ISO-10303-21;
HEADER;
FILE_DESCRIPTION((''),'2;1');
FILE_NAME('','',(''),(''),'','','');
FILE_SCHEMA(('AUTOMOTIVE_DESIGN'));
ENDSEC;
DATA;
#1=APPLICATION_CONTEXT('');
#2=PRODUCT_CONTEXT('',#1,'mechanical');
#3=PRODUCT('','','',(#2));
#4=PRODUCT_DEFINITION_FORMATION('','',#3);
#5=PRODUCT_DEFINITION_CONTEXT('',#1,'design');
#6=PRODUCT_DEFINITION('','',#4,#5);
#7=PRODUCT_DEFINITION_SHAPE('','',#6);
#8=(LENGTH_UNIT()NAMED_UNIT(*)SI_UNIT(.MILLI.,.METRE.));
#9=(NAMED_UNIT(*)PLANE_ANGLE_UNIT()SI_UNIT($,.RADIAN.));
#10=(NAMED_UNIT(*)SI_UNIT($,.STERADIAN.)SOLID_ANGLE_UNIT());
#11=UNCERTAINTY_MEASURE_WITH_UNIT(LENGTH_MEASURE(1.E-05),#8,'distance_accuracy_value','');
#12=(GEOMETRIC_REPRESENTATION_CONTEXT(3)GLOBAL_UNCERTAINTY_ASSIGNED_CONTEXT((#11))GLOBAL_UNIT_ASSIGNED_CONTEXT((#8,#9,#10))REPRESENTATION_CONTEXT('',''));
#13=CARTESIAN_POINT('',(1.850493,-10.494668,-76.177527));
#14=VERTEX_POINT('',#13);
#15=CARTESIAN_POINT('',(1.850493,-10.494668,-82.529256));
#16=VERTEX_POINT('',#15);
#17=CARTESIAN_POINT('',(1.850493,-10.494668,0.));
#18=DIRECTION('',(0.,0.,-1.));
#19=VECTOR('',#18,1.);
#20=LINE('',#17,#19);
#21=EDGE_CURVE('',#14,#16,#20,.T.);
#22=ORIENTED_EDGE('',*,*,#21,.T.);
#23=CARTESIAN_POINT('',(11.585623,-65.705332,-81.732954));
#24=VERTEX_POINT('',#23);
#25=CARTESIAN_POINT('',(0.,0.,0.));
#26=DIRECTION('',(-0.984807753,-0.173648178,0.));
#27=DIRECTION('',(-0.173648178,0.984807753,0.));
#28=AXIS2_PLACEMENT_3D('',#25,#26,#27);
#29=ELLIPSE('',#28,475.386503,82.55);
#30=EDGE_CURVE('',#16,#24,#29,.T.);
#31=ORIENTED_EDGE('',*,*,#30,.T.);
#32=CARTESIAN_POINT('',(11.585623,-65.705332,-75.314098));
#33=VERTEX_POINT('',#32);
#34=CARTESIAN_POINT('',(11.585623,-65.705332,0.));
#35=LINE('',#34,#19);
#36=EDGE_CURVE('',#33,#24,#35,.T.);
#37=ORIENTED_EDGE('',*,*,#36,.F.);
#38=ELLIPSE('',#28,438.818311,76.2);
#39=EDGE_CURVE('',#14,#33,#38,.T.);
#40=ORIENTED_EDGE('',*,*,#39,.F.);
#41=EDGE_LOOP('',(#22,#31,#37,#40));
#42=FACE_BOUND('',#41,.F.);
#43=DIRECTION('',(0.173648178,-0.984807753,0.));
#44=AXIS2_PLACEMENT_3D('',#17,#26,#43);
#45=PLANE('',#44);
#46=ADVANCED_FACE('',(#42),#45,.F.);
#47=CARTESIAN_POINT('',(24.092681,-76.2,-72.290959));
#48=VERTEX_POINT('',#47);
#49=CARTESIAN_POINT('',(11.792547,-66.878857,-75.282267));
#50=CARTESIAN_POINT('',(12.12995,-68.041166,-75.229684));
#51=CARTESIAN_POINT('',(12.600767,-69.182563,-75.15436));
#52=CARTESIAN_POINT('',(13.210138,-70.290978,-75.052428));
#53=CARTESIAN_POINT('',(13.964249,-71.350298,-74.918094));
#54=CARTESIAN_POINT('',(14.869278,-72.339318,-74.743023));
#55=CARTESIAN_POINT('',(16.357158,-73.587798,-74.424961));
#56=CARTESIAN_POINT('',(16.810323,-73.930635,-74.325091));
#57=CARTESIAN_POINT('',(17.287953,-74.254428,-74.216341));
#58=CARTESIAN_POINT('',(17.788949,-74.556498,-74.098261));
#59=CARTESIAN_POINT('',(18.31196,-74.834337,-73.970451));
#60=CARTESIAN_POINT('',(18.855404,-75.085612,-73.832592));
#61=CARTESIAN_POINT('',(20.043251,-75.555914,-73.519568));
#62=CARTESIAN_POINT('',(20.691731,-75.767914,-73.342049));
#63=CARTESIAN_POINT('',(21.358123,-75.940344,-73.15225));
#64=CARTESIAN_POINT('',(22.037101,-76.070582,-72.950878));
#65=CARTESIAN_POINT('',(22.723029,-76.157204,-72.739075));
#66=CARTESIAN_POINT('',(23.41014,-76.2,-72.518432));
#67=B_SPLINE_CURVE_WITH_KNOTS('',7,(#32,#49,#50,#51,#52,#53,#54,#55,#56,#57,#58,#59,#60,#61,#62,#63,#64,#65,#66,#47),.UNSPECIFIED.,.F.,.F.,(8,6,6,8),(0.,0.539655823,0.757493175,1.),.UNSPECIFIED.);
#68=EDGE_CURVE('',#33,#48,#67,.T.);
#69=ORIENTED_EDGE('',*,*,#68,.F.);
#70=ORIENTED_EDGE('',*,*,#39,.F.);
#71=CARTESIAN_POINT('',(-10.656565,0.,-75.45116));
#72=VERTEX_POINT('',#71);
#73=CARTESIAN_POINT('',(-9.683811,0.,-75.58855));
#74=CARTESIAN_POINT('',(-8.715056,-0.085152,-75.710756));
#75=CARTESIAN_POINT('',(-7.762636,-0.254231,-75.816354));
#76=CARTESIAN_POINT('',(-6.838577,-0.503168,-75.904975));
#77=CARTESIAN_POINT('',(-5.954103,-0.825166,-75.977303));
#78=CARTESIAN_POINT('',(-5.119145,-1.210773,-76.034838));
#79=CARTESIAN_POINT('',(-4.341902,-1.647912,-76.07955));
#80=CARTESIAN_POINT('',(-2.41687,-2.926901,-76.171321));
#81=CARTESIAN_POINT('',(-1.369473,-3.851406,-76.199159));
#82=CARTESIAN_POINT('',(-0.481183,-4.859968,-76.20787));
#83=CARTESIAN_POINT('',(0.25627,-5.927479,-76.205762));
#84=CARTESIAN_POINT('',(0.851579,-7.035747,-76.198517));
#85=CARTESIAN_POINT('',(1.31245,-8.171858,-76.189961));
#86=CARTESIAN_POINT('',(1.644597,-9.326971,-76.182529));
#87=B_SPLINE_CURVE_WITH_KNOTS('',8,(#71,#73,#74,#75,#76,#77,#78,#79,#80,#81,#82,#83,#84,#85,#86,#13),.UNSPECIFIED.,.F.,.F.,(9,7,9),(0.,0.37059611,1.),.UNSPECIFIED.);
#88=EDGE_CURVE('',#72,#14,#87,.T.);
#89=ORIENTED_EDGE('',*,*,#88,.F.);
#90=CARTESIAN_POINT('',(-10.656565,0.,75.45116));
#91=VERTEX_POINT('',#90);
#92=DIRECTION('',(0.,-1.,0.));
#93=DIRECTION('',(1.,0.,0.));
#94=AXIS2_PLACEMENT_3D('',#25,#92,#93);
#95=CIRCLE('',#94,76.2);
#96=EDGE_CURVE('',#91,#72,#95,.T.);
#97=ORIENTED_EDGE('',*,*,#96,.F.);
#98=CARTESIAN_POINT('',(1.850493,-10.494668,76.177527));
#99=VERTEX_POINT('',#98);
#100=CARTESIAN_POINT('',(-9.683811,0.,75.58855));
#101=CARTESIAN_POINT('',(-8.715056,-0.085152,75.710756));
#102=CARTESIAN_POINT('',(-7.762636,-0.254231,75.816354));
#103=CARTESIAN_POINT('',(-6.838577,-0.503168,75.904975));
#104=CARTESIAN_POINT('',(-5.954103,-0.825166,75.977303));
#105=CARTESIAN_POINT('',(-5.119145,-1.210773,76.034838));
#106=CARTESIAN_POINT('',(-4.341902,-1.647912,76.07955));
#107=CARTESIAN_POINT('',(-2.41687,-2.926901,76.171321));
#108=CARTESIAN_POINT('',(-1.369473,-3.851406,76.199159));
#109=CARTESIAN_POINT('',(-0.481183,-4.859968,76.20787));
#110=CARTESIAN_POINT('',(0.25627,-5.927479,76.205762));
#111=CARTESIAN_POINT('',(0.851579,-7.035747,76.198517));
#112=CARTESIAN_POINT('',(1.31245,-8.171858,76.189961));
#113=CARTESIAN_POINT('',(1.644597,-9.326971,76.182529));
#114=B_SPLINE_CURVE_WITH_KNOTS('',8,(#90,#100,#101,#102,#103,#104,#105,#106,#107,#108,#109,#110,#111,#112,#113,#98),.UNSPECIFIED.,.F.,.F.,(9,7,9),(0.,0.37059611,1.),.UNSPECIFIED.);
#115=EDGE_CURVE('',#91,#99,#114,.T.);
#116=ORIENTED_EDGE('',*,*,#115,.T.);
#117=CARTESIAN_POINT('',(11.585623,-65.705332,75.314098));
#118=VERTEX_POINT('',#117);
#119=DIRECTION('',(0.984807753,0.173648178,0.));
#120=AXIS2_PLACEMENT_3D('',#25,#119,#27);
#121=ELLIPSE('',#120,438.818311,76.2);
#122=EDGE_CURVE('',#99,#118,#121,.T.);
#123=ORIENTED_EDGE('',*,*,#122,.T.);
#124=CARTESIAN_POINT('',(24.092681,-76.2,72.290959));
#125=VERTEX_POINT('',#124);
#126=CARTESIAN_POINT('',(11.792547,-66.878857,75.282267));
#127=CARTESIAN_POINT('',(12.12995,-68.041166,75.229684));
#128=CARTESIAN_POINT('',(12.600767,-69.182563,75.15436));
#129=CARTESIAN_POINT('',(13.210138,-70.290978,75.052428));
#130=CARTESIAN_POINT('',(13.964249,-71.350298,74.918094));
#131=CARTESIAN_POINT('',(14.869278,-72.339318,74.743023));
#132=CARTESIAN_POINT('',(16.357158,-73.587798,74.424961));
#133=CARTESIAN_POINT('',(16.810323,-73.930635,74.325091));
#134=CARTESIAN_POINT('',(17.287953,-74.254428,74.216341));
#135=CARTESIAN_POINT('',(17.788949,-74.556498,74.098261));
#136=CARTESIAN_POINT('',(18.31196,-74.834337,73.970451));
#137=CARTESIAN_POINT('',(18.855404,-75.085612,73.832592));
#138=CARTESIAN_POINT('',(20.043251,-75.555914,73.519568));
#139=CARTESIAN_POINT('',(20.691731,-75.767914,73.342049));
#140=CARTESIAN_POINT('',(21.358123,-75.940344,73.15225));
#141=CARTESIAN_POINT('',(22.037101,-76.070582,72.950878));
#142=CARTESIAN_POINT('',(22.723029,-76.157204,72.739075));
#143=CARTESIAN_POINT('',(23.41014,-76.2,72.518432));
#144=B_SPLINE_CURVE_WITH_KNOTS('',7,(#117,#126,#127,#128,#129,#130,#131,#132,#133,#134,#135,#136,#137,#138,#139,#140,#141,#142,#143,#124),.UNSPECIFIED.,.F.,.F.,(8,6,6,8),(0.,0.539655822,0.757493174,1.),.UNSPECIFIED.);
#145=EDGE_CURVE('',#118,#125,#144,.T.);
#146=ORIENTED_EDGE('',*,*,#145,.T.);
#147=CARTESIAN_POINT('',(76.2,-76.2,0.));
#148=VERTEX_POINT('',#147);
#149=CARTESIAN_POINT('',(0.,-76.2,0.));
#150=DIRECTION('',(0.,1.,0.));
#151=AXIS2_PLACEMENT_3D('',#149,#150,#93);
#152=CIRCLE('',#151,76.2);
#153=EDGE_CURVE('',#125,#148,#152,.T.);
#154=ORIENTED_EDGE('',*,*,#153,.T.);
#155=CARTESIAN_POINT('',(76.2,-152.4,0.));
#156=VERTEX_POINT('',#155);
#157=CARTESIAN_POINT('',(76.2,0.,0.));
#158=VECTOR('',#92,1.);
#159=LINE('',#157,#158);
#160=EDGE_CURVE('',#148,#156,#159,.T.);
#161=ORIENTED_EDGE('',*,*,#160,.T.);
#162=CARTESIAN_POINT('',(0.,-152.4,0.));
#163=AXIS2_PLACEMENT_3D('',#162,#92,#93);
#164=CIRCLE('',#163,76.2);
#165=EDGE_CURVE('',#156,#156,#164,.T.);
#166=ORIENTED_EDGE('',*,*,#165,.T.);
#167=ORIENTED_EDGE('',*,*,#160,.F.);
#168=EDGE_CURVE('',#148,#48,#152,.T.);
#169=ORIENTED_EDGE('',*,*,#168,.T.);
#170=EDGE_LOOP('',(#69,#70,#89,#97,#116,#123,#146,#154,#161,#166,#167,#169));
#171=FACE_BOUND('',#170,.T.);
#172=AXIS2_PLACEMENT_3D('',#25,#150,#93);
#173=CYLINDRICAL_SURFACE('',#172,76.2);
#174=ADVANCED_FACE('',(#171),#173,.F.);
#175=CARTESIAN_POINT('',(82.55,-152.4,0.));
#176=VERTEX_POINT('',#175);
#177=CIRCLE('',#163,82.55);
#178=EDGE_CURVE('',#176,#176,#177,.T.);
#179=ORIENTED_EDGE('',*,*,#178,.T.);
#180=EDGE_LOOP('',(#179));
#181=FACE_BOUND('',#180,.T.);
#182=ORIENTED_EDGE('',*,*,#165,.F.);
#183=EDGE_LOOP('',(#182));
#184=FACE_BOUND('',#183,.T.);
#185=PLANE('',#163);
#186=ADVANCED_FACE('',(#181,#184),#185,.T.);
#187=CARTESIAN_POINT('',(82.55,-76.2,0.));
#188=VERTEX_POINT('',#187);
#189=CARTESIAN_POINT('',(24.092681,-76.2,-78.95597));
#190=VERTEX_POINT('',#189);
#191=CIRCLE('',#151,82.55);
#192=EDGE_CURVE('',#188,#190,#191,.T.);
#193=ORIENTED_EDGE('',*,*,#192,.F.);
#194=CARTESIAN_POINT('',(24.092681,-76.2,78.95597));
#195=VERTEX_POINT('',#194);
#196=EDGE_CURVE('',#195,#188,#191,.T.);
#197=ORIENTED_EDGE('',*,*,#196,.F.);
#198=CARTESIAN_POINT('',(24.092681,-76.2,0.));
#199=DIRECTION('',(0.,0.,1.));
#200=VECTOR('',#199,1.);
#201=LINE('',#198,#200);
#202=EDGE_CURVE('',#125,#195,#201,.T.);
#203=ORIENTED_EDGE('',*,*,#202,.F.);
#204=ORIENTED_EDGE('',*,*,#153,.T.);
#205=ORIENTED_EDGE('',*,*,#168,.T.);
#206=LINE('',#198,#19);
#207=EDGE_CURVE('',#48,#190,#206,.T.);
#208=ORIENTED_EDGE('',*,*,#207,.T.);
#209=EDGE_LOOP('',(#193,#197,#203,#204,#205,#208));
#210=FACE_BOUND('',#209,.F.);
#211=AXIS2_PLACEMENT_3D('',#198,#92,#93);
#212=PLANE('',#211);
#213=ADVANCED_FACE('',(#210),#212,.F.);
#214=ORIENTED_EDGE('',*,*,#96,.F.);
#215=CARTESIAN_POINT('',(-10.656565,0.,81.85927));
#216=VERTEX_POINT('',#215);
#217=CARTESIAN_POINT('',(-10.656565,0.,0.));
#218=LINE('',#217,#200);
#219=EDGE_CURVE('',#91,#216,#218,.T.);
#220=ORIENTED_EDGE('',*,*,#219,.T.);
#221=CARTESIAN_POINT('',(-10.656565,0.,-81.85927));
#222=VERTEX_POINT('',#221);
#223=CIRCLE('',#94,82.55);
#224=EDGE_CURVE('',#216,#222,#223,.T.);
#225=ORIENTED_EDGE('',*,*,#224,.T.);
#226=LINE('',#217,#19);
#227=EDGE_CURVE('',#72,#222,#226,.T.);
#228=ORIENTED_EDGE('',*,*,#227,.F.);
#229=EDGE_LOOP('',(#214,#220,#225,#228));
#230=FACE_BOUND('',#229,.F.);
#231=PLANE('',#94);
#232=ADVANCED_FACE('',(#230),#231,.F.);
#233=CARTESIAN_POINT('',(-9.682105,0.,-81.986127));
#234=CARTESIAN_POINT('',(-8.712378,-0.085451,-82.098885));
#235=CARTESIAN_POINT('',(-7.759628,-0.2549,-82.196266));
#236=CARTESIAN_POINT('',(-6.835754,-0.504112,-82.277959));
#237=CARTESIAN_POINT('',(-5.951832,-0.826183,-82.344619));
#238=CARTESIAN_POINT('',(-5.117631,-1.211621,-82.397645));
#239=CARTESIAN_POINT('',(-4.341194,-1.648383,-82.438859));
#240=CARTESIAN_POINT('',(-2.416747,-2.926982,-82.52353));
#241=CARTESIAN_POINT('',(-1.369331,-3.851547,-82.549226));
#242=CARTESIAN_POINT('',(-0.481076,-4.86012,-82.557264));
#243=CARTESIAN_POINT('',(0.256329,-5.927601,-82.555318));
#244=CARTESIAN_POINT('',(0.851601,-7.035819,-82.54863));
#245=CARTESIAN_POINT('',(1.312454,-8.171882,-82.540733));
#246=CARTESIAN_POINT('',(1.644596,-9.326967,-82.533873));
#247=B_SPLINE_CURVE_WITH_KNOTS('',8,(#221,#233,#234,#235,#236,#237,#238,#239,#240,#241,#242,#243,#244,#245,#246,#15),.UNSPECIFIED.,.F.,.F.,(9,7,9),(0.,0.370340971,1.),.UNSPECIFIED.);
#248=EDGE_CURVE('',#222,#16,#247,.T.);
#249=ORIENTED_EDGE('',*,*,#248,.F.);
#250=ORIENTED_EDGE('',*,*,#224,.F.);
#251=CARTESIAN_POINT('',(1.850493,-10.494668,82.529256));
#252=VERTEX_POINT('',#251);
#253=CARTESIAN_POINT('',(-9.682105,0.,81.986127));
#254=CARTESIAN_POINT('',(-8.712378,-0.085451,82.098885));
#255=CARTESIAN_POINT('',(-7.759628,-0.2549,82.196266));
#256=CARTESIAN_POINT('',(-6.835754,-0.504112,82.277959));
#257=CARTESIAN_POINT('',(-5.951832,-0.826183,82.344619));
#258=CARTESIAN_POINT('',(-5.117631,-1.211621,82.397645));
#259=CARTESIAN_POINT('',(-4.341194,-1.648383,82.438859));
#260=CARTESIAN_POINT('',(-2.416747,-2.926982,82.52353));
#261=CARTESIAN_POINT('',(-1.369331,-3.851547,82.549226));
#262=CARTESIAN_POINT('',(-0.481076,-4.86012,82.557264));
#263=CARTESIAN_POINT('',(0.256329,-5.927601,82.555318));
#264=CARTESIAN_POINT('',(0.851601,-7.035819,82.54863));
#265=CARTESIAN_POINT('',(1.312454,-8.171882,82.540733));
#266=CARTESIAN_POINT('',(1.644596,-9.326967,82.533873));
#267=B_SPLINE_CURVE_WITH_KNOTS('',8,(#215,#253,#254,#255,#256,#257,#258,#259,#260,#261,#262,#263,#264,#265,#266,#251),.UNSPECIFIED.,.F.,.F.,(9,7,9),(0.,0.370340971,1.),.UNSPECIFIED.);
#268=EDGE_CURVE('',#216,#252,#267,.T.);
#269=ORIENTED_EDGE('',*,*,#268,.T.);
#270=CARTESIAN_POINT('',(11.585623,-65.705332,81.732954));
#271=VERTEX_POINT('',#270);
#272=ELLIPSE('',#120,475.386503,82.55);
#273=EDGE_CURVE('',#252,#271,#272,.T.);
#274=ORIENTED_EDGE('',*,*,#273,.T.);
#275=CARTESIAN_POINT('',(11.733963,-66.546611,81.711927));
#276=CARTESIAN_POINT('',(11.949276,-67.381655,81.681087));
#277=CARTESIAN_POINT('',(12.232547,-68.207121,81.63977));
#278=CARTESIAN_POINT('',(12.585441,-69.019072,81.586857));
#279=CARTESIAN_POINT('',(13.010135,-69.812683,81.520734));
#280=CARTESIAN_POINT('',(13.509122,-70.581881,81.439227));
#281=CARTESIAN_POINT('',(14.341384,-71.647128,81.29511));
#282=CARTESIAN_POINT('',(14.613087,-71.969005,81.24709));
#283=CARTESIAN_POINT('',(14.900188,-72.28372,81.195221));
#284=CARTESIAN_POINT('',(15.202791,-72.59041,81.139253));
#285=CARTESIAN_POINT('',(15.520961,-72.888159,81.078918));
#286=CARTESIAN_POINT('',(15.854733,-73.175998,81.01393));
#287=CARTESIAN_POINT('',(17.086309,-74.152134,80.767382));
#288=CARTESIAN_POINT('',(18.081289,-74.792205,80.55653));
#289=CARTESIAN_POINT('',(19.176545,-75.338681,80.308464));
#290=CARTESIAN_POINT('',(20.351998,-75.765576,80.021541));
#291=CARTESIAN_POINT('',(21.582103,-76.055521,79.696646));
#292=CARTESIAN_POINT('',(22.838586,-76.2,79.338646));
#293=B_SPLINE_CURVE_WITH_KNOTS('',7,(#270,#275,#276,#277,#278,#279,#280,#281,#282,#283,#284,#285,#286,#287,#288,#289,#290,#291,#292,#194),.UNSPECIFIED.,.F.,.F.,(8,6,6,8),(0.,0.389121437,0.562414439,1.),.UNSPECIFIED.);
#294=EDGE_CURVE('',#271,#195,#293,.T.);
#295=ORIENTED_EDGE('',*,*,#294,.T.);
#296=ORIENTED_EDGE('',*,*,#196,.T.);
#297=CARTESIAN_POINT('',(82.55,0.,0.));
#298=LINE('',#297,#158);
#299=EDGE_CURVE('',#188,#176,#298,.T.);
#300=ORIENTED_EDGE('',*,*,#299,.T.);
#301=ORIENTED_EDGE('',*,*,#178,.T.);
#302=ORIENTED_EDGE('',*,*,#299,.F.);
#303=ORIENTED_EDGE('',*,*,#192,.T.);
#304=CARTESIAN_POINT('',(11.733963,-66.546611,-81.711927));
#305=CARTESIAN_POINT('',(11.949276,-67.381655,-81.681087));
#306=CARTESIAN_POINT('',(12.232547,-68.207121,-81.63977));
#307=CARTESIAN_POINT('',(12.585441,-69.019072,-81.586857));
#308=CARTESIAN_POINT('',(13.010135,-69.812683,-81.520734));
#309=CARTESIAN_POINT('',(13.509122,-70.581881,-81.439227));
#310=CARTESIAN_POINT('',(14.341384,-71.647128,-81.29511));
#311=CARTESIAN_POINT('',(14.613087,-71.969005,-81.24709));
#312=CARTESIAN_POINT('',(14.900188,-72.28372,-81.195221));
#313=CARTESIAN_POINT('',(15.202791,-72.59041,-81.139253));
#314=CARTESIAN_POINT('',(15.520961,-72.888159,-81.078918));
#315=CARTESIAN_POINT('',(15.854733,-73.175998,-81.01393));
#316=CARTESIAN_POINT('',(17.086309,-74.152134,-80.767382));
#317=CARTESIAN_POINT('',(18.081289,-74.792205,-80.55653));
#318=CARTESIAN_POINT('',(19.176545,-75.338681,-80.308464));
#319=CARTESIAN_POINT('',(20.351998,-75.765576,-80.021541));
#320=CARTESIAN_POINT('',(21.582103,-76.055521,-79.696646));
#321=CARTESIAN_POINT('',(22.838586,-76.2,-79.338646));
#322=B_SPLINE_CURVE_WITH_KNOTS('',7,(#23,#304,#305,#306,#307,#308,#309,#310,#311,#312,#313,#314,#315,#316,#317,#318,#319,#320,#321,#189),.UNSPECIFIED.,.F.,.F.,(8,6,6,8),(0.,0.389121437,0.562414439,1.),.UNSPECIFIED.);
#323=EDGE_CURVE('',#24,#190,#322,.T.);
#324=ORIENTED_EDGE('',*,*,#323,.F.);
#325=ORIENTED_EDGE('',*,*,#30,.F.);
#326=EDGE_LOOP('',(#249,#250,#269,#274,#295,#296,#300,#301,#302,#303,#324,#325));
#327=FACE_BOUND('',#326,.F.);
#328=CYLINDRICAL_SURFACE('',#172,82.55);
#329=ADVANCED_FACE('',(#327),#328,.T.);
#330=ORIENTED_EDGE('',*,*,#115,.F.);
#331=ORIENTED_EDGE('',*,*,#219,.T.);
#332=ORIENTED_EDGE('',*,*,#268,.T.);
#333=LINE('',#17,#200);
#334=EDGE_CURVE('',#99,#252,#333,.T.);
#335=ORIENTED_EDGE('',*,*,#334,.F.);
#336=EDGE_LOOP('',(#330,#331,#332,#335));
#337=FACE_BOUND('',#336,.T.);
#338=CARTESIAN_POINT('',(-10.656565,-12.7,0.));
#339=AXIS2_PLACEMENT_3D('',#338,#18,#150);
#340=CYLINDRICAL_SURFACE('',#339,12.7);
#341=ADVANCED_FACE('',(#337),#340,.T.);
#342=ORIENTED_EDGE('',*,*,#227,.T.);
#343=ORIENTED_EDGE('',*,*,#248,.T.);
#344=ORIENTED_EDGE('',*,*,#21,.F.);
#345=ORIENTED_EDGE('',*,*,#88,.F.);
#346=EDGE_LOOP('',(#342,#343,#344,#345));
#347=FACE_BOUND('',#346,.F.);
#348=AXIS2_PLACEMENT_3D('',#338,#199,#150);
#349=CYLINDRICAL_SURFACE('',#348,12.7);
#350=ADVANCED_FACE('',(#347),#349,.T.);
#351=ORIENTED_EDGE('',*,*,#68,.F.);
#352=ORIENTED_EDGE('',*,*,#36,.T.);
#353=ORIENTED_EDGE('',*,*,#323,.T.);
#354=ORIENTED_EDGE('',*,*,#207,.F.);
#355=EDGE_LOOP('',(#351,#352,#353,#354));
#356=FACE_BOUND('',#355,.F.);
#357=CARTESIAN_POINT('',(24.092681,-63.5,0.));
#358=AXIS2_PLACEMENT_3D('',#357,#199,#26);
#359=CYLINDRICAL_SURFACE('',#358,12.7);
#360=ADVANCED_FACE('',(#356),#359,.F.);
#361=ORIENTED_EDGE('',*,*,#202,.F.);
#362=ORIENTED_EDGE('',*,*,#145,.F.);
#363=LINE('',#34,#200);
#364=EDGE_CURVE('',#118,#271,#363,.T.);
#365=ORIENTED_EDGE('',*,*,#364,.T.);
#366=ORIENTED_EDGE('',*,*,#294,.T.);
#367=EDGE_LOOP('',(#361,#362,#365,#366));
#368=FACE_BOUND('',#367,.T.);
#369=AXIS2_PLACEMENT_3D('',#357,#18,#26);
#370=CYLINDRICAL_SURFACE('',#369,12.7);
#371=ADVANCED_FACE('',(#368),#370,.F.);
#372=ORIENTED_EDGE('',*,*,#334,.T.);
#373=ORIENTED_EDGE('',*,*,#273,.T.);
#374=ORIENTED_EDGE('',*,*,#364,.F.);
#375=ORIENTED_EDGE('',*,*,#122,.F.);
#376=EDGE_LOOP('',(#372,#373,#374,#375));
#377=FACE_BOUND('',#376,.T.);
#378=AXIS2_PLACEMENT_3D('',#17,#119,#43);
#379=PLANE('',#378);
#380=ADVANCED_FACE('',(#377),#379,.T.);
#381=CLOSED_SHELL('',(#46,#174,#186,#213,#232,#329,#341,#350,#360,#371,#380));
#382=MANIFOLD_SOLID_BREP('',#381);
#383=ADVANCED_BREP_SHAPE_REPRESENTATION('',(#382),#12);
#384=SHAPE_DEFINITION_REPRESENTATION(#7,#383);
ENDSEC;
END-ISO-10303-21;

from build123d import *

# Parameters (mm, degrees)
F0_R          = 82.55
F0_R_2        = 76.2
F1_DEPTH      = 152.4
F3_DEPTH      = 82.551
F3_DEPTH_BACK = 82.551


with BuildPart() as f1:
    # F0 (on Front) → F1 (new body)
    with BuildSketch(Plane.XZ):
        Circle(F0_R)
        Circle(F0_R_2, mode=Mode.SUBTRACT)
    extrude(amount=F1_DEPTH)

    # F2 (on Top) → F3 (cut, two sides)
    with BuildSketch(Plane.XY) as f3_sk:
        with BuildLine():
            ThreePointArc((-10.656565316, 0), (-2.4931626729, -2.9712355724), (1.8504931473, -10.4946681436))
            Line((1.8504931473, -10.4946681436), (11.5856227827, -65.7053318564))
            ThreePointArc((11.5856227827, -65.7053318564), (15.9292786029, -73.2287644276), (24.0926812459, -76.2))
            Line((24.0926812459, -76.2), (82.55, -76.2))
            Line((82.55, -76.2), (82.55, 0))
            Line((82.55, 0), (-10.656565316, 0))
        make_face()
    extrude(amount=-F3_DEPTH, mode=Mode.SUBTRACT)
    extrude(f3_sk.sketch, amount=F3_DEPTH_BACK, mode=Mode.SUBTRACT)


solid = f1.part
